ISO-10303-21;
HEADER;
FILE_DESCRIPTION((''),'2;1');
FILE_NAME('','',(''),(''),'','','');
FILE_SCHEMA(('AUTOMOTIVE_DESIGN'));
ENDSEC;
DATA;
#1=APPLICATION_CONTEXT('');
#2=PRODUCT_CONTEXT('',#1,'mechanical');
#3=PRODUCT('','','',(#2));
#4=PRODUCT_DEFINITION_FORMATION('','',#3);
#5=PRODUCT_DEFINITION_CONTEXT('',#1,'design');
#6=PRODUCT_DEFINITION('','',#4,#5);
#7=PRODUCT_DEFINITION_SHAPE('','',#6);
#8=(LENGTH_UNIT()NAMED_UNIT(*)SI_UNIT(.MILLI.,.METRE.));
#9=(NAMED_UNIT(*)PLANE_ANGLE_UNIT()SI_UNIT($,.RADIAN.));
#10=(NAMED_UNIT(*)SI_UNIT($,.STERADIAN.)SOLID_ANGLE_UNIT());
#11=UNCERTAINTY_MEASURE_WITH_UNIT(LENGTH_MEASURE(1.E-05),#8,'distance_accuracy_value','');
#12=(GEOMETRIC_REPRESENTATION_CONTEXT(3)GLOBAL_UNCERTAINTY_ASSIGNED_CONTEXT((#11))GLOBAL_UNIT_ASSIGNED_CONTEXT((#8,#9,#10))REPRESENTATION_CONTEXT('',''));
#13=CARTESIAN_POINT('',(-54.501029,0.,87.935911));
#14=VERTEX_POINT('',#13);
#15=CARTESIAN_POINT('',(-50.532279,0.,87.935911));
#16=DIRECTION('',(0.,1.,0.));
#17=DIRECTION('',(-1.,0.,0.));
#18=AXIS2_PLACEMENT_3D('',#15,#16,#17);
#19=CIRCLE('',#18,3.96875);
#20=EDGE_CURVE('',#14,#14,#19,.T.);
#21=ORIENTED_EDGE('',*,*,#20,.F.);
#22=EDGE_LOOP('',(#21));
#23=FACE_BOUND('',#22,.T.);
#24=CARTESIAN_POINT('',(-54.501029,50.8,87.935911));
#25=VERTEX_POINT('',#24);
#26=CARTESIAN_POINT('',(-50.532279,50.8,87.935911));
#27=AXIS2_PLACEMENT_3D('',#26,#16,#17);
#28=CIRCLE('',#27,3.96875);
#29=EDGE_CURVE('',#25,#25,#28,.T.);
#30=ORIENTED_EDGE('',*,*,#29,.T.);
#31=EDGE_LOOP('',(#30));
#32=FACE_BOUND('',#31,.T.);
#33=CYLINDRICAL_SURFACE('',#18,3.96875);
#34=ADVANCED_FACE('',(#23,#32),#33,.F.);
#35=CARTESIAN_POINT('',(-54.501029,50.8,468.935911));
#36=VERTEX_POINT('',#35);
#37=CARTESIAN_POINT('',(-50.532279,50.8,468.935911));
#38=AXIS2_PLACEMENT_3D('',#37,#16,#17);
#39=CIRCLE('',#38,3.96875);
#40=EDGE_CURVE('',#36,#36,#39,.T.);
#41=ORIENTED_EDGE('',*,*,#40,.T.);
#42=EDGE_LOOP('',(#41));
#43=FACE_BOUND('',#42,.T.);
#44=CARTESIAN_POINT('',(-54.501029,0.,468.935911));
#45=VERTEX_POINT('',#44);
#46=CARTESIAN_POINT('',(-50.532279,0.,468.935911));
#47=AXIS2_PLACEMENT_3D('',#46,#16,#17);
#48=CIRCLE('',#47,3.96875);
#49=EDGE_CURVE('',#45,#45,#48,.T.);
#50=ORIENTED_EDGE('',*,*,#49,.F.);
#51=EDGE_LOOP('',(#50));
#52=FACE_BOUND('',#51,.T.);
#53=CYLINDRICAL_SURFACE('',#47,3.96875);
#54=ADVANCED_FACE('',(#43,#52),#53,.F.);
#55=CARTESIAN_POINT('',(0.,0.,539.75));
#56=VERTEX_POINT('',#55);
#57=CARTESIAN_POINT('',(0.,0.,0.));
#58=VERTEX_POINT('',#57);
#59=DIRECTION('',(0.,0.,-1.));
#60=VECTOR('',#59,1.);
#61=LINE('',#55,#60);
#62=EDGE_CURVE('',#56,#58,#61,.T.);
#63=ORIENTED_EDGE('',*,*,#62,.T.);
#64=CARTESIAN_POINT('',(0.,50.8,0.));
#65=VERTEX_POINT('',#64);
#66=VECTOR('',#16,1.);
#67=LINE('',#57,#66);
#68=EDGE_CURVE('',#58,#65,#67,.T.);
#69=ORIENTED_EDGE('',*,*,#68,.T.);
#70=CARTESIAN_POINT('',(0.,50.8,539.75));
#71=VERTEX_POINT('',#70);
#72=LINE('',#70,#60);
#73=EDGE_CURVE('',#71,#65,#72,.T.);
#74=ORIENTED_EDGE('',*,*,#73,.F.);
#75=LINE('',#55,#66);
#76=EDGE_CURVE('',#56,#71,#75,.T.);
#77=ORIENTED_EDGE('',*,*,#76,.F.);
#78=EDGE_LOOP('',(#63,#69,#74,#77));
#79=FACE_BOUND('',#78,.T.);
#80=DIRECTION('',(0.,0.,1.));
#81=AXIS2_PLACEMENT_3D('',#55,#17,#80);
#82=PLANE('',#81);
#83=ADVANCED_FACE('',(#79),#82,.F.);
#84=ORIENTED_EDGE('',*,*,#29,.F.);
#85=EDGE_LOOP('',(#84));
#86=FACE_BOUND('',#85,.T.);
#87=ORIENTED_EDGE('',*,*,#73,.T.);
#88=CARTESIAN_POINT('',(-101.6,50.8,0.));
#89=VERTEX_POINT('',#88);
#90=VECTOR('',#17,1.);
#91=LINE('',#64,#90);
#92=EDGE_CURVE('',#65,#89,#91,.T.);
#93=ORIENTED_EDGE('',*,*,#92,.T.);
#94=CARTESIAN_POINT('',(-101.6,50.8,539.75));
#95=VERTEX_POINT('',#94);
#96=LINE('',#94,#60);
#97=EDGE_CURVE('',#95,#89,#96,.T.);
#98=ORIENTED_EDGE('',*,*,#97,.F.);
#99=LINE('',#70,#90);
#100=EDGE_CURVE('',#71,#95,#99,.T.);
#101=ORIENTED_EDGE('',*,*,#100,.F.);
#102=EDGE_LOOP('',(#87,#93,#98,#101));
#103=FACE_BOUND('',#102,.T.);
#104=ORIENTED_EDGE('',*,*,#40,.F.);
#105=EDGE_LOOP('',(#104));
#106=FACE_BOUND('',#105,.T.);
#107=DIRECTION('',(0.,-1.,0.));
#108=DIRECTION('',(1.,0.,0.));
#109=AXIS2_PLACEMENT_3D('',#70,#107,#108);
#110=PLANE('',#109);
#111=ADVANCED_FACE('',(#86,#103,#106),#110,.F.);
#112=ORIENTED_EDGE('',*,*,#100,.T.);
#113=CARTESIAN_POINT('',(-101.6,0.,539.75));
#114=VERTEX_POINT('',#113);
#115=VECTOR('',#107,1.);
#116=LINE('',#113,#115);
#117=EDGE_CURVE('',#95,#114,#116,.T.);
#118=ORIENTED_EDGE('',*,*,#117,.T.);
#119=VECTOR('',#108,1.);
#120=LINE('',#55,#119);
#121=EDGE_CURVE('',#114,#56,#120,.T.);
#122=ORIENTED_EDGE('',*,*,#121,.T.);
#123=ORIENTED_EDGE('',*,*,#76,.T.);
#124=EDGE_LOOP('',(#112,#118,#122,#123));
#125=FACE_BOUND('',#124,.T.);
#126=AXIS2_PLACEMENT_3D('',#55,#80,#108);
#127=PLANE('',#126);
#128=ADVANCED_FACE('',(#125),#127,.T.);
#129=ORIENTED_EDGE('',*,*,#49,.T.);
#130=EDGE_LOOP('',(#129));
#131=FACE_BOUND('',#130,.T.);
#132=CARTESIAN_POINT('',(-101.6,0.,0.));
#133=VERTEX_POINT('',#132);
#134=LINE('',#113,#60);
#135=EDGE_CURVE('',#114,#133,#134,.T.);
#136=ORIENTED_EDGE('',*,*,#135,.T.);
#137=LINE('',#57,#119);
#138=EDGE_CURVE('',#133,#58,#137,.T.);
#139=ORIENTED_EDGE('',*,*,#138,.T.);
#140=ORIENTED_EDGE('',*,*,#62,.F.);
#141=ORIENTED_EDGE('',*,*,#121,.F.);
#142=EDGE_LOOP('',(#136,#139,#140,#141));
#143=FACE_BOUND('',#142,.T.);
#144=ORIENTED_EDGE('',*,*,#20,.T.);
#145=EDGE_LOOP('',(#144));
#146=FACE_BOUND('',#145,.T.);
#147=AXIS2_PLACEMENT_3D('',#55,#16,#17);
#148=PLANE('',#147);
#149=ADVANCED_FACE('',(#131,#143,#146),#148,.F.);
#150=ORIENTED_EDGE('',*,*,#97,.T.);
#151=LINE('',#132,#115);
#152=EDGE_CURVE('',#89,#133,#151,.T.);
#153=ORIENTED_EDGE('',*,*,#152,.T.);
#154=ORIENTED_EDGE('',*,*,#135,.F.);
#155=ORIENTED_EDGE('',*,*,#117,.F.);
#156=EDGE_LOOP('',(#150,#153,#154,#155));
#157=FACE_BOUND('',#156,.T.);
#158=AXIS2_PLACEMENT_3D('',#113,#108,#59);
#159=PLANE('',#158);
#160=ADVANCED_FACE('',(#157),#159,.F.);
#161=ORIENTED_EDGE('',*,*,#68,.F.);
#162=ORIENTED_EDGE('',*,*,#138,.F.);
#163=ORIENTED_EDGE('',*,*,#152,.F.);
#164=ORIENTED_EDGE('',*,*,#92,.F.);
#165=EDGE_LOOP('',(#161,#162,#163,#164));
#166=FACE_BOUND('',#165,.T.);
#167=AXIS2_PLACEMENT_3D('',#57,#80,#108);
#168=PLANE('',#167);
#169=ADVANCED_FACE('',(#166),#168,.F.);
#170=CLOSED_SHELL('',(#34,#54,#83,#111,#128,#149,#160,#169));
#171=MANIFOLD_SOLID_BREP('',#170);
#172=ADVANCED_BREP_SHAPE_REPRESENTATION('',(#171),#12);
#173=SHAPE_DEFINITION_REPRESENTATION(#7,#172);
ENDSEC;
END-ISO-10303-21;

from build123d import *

# Parameters (mm, degrees)
SKETCH1_W           = 101.6
SKETCH1_H           = 50.8
BOSS_EXTRUDE1_DEPTH = 539.75
SKETCH2_R           = 3.96875
CUT_EXTRUDE1_DEPTH  = 51.8


with BuildPart() as part:
    # Sketch1 → Boss-Extrude1 (new body)
    with BuildSketch(Plane.XY):
        with Locations((-50.8, 25.4)):
            Rectangle(SKETCH1_W, SKETCH1_H)
    extrude(amount=BOSS_EXTRUDE1_DEPTH)

    # Sketch2 → Cut-Extrude1 (cut, through all)
    with BuildSketch(Plane(origin=(0, 50.8, 0), x_dir=(1, 0, 0), z_dir=(0, 1, 0))):
        with Locations((-50.532279032, -87.935910633)):
            Circle(SKETCH2_R)
        with Locations((-50.532279032, -468.935910633)):
            Circle(SKETCH2_R)
    extrude(amount=-CUT_EXTRUDE1_DEPTH, mode=Mode.SUBTRACT)


solid = part.part
